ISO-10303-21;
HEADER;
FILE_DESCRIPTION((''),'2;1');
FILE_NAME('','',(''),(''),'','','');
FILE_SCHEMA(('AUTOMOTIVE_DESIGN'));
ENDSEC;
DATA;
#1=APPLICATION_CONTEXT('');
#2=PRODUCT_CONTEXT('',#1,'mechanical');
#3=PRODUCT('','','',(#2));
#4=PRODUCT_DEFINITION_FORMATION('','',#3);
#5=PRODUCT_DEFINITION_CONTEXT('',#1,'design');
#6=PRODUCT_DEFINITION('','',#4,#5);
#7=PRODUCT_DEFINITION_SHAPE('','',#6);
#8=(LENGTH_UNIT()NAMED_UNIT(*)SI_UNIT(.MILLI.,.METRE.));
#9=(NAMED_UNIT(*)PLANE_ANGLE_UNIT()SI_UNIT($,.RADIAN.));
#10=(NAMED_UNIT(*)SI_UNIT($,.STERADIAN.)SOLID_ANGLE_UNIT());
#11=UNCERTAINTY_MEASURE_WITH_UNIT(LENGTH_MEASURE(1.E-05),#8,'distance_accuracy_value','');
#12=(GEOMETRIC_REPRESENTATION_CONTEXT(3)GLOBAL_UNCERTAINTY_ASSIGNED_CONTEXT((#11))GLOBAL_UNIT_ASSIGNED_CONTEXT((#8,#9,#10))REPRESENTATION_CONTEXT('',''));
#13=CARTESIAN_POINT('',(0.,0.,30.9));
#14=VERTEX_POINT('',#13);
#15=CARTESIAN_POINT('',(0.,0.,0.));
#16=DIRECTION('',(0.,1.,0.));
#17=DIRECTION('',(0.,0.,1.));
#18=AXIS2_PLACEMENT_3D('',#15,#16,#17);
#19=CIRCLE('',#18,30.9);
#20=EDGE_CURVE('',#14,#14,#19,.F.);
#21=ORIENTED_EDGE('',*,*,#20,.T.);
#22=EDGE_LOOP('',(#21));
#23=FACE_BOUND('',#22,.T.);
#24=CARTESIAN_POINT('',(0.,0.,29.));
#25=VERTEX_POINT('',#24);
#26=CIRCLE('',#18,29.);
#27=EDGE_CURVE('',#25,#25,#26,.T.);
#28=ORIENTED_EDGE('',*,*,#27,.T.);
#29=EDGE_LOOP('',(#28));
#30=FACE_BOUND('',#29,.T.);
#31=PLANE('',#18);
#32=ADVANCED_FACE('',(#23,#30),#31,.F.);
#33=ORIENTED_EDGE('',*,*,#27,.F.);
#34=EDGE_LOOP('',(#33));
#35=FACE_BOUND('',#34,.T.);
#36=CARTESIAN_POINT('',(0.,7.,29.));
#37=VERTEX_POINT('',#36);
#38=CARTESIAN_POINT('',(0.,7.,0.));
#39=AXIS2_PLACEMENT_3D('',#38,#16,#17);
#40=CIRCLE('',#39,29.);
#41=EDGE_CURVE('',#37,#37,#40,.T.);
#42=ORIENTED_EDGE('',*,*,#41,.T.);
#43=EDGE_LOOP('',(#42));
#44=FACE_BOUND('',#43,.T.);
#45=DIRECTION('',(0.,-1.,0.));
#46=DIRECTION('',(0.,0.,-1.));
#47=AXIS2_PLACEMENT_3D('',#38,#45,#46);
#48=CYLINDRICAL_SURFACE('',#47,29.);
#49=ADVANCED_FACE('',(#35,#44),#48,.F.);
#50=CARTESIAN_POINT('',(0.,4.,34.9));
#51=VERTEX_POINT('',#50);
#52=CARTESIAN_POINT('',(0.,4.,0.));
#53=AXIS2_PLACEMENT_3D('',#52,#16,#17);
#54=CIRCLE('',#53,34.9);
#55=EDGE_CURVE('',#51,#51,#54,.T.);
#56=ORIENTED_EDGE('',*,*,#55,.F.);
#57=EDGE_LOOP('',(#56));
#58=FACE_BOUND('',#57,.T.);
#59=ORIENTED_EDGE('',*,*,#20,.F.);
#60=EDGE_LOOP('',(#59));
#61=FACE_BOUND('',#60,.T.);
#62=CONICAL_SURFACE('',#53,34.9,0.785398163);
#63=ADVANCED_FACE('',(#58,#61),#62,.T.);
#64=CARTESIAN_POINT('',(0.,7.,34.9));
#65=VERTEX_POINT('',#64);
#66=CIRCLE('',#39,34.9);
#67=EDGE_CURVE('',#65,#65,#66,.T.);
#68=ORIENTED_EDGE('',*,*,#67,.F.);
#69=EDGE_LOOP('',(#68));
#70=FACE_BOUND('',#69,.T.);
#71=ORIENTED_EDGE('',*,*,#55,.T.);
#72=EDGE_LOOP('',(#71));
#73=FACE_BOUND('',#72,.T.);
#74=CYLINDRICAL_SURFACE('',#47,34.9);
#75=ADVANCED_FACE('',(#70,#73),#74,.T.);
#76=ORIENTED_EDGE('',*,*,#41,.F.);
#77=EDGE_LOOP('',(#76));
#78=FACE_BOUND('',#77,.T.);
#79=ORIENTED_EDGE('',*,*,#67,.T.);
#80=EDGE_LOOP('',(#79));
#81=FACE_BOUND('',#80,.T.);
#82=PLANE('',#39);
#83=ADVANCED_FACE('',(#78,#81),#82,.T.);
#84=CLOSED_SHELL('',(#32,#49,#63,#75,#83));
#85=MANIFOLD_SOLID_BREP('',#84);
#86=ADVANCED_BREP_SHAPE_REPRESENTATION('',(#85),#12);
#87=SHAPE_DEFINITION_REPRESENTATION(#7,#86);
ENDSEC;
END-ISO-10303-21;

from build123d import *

# Parameters (mm, degrees)
ESQUISSE1_R        = 34.9
ESQUISSE1_R_2      = 29
BOSS_EXTRU_1_DEPTH = 7
CHANFREIN1_SIZE    = 4


with BuildPart() as part:
    # Esquisse1 → Boss.-Extru.1 (new body)
    with BuildSketch(Plane(origin=(0, 0, 0), x_dir=(1, 0, 0), z_dir=(0, 1, 0))):
        with Locations(Location((0, 0, 0), (0, 0, 270))):  # turned: the seam where the file's is
            Circle(ESQUISSE1_R)
        with Locations(Location((0, 0, 0), (0, 0, 270))):  # turned: the seam where the file's is
            Circle(ESQUISSE1_R_2, mode=Mode.SUBTRACT)
    extrude(amount=BOSS_EXTRU_1_DEPTH)

    # Chanfrein1
    chanfrein1_edges = [part.edges().sort_by_distance(p)[0] for p in [
        (0, 0, -34.9),
    ]]
    chamfer(chanfrein1_edges, length=CHANFREIN1_SIZE)


solid = part.part
